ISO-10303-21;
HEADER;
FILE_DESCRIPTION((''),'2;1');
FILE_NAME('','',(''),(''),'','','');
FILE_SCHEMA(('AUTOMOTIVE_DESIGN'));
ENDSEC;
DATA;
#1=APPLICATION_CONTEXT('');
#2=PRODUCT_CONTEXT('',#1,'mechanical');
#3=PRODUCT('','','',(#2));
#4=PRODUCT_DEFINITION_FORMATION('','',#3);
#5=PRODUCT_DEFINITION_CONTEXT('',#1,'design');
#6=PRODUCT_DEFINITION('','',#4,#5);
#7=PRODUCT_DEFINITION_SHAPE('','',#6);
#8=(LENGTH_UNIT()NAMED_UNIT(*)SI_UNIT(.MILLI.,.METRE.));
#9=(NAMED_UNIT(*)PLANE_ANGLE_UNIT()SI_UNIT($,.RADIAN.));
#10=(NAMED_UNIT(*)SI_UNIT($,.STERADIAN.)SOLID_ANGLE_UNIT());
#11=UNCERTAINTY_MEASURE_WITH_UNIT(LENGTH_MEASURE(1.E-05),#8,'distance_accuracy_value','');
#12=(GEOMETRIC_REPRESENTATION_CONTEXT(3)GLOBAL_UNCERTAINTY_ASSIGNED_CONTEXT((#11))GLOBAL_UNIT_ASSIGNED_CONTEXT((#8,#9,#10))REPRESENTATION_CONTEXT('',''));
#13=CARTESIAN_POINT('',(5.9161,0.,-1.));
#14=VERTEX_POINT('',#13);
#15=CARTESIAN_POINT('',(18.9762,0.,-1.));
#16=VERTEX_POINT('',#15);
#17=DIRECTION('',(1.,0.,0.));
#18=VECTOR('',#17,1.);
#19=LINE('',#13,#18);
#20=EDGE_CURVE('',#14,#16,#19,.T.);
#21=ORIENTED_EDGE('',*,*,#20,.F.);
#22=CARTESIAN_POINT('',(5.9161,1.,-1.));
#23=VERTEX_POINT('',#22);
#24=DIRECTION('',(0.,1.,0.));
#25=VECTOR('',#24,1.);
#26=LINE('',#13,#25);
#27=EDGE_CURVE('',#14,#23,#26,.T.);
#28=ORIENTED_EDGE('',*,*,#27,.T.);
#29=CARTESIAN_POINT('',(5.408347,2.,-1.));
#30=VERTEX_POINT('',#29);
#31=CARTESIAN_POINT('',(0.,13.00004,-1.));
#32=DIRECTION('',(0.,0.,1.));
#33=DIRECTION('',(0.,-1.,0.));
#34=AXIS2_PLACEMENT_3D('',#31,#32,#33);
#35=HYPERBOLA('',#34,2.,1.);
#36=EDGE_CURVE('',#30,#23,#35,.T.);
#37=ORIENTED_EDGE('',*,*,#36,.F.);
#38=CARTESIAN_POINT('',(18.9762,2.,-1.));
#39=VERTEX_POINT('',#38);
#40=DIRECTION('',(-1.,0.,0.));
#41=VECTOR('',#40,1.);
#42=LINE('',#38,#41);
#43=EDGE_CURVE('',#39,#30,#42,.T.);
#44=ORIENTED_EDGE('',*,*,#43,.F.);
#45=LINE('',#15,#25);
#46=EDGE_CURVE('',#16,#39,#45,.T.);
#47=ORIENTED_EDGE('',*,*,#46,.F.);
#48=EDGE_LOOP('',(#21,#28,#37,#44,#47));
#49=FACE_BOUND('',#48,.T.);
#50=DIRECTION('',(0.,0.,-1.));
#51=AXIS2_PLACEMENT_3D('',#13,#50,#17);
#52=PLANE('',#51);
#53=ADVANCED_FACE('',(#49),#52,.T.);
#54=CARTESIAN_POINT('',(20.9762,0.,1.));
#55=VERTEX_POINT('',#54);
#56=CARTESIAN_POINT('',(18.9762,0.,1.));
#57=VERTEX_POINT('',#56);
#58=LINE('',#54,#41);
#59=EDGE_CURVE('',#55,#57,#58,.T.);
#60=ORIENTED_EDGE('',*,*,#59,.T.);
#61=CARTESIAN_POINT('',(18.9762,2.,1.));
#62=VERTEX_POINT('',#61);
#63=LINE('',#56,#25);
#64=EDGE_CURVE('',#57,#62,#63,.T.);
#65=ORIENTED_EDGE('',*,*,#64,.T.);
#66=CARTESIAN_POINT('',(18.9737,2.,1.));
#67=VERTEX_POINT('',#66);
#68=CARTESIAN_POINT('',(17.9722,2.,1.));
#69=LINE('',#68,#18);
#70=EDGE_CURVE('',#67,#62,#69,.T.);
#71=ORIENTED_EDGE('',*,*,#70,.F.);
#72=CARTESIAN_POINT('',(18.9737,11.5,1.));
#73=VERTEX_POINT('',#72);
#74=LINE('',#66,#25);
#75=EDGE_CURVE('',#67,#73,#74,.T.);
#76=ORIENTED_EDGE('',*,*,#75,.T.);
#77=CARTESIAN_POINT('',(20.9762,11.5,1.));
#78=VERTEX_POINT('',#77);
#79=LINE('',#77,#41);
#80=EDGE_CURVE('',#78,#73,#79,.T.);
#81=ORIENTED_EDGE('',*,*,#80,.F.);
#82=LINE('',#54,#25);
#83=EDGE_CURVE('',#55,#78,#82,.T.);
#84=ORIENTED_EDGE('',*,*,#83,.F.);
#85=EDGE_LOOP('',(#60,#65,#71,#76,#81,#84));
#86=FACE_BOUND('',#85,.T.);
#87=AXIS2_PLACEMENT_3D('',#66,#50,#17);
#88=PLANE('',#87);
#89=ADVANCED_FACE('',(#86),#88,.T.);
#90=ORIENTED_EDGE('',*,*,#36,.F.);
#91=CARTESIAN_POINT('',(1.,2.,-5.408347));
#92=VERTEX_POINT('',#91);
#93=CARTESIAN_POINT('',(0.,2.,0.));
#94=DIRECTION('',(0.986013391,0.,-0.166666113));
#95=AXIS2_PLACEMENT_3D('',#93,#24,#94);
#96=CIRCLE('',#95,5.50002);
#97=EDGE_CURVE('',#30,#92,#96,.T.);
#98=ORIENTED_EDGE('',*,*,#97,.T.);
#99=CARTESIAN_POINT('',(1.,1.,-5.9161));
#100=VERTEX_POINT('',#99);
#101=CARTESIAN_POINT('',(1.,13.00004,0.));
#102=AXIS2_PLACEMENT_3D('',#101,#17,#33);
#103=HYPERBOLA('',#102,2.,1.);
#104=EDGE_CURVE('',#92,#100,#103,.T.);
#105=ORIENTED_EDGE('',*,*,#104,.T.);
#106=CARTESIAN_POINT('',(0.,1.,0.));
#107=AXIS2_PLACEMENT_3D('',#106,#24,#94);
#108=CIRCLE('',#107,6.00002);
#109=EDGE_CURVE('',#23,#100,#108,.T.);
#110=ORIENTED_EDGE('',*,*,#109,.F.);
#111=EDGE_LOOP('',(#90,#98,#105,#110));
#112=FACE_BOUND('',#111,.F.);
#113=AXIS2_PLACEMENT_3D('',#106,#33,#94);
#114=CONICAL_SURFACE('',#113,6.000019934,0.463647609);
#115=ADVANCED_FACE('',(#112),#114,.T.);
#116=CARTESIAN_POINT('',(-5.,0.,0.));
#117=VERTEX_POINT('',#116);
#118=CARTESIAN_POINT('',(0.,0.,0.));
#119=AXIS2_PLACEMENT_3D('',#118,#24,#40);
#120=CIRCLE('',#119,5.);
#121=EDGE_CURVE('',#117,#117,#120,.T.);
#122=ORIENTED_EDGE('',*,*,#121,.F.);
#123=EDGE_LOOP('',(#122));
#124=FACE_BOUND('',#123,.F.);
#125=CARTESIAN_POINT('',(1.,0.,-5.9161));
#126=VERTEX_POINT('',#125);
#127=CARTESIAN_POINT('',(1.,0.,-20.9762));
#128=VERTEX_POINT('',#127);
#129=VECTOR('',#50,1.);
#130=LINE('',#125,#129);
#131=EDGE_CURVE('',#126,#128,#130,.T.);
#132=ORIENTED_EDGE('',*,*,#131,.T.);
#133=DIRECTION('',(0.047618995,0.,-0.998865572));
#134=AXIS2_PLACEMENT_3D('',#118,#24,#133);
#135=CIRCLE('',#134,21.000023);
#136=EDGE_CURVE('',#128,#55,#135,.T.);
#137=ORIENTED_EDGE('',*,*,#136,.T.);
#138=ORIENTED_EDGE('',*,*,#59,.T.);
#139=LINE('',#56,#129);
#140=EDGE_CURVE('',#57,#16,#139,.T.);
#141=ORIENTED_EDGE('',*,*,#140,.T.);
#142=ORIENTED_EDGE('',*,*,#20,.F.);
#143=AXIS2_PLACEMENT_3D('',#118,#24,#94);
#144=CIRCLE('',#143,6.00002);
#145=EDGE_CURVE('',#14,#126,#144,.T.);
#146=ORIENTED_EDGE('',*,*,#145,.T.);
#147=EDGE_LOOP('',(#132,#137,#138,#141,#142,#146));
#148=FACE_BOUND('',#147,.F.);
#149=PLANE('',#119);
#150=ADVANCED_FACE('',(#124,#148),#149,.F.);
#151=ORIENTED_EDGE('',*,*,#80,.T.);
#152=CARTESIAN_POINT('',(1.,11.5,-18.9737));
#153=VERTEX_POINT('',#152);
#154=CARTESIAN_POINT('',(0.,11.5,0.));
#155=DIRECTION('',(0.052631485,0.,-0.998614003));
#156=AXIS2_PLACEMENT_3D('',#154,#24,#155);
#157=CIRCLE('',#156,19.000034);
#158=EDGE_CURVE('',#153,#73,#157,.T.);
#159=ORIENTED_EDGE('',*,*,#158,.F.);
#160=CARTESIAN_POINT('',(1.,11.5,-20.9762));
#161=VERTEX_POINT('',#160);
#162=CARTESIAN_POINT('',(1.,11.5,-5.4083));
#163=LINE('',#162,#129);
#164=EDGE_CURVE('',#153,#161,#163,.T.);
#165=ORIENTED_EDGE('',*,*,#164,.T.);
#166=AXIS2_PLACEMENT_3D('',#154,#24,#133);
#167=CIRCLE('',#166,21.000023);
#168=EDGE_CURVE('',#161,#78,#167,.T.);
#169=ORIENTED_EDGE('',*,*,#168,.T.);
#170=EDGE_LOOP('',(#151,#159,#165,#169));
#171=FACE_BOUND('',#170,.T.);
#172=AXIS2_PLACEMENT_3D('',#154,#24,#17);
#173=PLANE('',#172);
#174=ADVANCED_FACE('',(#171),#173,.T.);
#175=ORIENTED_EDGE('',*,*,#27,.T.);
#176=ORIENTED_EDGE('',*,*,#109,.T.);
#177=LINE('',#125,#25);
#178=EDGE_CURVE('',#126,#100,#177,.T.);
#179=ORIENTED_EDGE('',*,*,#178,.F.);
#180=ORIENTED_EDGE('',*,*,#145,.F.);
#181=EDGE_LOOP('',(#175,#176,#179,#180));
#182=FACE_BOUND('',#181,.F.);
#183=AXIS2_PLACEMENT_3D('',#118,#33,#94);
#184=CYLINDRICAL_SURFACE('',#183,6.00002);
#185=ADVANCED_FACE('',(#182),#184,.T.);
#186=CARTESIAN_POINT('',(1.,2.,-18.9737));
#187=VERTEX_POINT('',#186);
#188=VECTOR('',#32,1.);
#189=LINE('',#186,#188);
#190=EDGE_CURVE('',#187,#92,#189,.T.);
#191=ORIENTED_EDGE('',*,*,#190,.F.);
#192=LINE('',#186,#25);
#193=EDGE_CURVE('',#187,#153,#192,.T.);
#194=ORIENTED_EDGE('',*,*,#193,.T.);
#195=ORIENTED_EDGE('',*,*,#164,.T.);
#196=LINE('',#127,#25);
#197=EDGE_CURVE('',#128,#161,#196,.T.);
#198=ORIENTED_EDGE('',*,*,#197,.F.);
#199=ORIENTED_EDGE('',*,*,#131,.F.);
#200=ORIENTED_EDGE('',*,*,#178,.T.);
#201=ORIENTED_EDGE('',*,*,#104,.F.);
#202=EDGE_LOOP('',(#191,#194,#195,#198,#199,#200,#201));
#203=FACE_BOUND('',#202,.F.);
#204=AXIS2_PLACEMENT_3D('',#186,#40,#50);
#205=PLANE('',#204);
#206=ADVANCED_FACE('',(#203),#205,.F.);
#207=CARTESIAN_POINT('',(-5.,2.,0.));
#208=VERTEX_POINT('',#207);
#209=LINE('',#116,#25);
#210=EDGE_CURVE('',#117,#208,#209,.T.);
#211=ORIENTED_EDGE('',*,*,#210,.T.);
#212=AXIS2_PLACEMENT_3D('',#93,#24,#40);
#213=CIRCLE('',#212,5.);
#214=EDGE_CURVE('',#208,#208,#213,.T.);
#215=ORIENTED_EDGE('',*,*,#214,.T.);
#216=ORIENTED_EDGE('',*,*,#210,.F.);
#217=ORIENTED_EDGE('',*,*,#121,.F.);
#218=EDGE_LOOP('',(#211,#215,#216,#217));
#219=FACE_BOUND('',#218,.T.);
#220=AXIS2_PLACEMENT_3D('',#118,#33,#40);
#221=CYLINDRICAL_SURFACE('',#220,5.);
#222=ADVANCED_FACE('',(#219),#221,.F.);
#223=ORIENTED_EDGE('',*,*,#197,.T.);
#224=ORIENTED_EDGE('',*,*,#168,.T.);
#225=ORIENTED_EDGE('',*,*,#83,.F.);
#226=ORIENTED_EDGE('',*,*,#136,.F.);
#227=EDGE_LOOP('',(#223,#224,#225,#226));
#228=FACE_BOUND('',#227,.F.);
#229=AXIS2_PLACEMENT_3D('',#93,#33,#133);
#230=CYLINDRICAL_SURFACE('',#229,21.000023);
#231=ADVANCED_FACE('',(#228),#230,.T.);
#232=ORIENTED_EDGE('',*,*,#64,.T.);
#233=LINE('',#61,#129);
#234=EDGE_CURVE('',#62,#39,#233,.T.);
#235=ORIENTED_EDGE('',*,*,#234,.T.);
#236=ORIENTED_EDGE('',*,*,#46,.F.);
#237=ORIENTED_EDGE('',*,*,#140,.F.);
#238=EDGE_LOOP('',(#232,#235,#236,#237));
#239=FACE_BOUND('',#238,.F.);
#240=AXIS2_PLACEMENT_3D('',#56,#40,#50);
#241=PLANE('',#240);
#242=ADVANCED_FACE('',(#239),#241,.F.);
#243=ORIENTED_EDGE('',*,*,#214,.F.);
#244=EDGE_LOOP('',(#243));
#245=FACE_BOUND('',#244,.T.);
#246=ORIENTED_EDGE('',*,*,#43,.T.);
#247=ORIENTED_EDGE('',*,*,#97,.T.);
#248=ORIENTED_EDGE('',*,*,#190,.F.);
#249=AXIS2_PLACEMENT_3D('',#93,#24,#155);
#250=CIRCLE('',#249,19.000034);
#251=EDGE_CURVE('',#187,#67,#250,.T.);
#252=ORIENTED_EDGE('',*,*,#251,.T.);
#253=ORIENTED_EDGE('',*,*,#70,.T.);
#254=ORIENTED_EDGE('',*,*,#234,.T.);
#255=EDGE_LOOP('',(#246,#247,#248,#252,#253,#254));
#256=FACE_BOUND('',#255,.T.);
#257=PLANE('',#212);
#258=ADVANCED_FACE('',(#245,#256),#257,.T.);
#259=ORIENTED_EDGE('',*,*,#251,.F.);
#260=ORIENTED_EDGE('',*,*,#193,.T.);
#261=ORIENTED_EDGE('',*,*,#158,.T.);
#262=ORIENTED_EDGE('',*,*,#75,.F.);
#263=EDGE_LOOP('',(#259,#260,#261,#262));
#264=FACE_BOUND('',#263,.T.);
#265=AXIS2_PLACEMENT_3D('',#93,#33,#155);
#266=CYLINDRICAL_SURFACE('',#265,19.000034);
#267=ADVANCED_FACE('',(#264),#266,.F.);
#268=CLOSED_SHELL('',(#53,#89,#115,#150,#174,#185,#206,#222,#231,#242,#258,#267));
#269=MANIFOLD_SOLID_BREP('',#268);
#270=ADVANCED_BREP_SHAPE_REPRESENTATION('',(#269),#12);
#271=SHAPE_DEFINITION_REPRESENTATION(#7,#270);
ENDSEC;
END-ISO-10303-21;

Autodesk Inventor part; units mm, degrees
ref_plane "YZ Plane" through (0, 0, 0) normal (1, 0, 0) x (0, 1, 0)
ref_plane "XZ Plane" through (0, 0, 0) normal (0, 1, 0) x (-1, 0, 0)
ref_plane "XY Plane" through (0, 0, 0) normal (0, 0, 1) x (1, 0, 0)
sketch "Sketch9" plane through (0, 0, 0) normal (0, 1, 0) x (-1, 0, 0)
  arc A0 (-1, -20.9762) -> (-20.9762, 1) centre (0, 0) ccw
  line L0 (21, 0) -> (-21, 0) construction
  line L1 (0, 21) -> (0, -21) construction
  line L2 (21, -1) -> (20.9762, -1)
  line L3 (21, 1) -> (20.9762, 1)
  line L4 (-20.9762, 1) -> (-21, 1)
  line L5 (1, 21) -> (1, 20.9762)
  line L6 (1, -20.9762) -> (1, -21)
  line L7 (-1, 21) -> (-1, 20.9762)
  line L8 (-1, -5.9161) -> (-1, -21)
  line L9 (-5.9161, -1) -> (-18.9762, -1)
  circle A1 centre (0, 0) radius 5
  arc A2 (-5.9161, -1) -> (-1, -5.9161) centre (0, 0) ccw
  line L10 (-20.9762, -1) -> (-18.9762, -1)
  line L11 (-19.9762, -1) -> (-19.9762, 1) construction
  line L12 (-19.9762, 1) -> (-20.9762, 1)
  line L13 (-18.9762, 1) -> (-18.9762, -1)
  line L14 (-18.9762, 1) -> (-19.9762, 1)
  point P0 (-4.899, -1)
  point P1 (-1, -4.899)
  point P2 (-20.9762, -1)
  dimension "d30" = 42
  dimension "d35" = 10
  dimension "d48" = 2
  dimension "d49" = 2
extrude "Extrusion5" add sketch "Sketch9" along normal blind 2
chamfer "Chamfer1" distance 0.5 distance2 1 1 edges at (4.2426, 2, -4.2426) measured on face at (14.1627, 2, 6.4351)
sketch "Sketch10" plane through (0, 2, 0) normal (0, 1, 0) x (1, 0, 0)
  arc A0 (1, 20.9762) -> (20.9762, -1) centre (0, 0) ccw
  arc A1 (1, 18.9737) -> (18.9737, -1) centre (0, 0) ccw
  line L0 (20.058, 1) -> (18.9737, 1)
  line L1 (18.9762, 1) -> (5.4083, 1) projected
  line L2 (1, 5.4083) -> (1, 20.9762) projected
  line L3 (1, 18.9737) -> (1, 20.9762)
  line L4 (20.058, 1) -> (20.058, -1) construction
  line L5 (20.058, -1) -> (20.9762, -1)
  line L6 (17.9722, -1) -> (20.9762, -1)
  point P0 (20.9762, 1)
  point P1 (22.9762, 1)
  point P2 (1, 17.9722)
  dimension "d42" = 2
  dimension "d47" = 2
extrude "Extrusion6" add sketch "Sketch10" along normal blind 9.5
properties part number "base layer 1"
